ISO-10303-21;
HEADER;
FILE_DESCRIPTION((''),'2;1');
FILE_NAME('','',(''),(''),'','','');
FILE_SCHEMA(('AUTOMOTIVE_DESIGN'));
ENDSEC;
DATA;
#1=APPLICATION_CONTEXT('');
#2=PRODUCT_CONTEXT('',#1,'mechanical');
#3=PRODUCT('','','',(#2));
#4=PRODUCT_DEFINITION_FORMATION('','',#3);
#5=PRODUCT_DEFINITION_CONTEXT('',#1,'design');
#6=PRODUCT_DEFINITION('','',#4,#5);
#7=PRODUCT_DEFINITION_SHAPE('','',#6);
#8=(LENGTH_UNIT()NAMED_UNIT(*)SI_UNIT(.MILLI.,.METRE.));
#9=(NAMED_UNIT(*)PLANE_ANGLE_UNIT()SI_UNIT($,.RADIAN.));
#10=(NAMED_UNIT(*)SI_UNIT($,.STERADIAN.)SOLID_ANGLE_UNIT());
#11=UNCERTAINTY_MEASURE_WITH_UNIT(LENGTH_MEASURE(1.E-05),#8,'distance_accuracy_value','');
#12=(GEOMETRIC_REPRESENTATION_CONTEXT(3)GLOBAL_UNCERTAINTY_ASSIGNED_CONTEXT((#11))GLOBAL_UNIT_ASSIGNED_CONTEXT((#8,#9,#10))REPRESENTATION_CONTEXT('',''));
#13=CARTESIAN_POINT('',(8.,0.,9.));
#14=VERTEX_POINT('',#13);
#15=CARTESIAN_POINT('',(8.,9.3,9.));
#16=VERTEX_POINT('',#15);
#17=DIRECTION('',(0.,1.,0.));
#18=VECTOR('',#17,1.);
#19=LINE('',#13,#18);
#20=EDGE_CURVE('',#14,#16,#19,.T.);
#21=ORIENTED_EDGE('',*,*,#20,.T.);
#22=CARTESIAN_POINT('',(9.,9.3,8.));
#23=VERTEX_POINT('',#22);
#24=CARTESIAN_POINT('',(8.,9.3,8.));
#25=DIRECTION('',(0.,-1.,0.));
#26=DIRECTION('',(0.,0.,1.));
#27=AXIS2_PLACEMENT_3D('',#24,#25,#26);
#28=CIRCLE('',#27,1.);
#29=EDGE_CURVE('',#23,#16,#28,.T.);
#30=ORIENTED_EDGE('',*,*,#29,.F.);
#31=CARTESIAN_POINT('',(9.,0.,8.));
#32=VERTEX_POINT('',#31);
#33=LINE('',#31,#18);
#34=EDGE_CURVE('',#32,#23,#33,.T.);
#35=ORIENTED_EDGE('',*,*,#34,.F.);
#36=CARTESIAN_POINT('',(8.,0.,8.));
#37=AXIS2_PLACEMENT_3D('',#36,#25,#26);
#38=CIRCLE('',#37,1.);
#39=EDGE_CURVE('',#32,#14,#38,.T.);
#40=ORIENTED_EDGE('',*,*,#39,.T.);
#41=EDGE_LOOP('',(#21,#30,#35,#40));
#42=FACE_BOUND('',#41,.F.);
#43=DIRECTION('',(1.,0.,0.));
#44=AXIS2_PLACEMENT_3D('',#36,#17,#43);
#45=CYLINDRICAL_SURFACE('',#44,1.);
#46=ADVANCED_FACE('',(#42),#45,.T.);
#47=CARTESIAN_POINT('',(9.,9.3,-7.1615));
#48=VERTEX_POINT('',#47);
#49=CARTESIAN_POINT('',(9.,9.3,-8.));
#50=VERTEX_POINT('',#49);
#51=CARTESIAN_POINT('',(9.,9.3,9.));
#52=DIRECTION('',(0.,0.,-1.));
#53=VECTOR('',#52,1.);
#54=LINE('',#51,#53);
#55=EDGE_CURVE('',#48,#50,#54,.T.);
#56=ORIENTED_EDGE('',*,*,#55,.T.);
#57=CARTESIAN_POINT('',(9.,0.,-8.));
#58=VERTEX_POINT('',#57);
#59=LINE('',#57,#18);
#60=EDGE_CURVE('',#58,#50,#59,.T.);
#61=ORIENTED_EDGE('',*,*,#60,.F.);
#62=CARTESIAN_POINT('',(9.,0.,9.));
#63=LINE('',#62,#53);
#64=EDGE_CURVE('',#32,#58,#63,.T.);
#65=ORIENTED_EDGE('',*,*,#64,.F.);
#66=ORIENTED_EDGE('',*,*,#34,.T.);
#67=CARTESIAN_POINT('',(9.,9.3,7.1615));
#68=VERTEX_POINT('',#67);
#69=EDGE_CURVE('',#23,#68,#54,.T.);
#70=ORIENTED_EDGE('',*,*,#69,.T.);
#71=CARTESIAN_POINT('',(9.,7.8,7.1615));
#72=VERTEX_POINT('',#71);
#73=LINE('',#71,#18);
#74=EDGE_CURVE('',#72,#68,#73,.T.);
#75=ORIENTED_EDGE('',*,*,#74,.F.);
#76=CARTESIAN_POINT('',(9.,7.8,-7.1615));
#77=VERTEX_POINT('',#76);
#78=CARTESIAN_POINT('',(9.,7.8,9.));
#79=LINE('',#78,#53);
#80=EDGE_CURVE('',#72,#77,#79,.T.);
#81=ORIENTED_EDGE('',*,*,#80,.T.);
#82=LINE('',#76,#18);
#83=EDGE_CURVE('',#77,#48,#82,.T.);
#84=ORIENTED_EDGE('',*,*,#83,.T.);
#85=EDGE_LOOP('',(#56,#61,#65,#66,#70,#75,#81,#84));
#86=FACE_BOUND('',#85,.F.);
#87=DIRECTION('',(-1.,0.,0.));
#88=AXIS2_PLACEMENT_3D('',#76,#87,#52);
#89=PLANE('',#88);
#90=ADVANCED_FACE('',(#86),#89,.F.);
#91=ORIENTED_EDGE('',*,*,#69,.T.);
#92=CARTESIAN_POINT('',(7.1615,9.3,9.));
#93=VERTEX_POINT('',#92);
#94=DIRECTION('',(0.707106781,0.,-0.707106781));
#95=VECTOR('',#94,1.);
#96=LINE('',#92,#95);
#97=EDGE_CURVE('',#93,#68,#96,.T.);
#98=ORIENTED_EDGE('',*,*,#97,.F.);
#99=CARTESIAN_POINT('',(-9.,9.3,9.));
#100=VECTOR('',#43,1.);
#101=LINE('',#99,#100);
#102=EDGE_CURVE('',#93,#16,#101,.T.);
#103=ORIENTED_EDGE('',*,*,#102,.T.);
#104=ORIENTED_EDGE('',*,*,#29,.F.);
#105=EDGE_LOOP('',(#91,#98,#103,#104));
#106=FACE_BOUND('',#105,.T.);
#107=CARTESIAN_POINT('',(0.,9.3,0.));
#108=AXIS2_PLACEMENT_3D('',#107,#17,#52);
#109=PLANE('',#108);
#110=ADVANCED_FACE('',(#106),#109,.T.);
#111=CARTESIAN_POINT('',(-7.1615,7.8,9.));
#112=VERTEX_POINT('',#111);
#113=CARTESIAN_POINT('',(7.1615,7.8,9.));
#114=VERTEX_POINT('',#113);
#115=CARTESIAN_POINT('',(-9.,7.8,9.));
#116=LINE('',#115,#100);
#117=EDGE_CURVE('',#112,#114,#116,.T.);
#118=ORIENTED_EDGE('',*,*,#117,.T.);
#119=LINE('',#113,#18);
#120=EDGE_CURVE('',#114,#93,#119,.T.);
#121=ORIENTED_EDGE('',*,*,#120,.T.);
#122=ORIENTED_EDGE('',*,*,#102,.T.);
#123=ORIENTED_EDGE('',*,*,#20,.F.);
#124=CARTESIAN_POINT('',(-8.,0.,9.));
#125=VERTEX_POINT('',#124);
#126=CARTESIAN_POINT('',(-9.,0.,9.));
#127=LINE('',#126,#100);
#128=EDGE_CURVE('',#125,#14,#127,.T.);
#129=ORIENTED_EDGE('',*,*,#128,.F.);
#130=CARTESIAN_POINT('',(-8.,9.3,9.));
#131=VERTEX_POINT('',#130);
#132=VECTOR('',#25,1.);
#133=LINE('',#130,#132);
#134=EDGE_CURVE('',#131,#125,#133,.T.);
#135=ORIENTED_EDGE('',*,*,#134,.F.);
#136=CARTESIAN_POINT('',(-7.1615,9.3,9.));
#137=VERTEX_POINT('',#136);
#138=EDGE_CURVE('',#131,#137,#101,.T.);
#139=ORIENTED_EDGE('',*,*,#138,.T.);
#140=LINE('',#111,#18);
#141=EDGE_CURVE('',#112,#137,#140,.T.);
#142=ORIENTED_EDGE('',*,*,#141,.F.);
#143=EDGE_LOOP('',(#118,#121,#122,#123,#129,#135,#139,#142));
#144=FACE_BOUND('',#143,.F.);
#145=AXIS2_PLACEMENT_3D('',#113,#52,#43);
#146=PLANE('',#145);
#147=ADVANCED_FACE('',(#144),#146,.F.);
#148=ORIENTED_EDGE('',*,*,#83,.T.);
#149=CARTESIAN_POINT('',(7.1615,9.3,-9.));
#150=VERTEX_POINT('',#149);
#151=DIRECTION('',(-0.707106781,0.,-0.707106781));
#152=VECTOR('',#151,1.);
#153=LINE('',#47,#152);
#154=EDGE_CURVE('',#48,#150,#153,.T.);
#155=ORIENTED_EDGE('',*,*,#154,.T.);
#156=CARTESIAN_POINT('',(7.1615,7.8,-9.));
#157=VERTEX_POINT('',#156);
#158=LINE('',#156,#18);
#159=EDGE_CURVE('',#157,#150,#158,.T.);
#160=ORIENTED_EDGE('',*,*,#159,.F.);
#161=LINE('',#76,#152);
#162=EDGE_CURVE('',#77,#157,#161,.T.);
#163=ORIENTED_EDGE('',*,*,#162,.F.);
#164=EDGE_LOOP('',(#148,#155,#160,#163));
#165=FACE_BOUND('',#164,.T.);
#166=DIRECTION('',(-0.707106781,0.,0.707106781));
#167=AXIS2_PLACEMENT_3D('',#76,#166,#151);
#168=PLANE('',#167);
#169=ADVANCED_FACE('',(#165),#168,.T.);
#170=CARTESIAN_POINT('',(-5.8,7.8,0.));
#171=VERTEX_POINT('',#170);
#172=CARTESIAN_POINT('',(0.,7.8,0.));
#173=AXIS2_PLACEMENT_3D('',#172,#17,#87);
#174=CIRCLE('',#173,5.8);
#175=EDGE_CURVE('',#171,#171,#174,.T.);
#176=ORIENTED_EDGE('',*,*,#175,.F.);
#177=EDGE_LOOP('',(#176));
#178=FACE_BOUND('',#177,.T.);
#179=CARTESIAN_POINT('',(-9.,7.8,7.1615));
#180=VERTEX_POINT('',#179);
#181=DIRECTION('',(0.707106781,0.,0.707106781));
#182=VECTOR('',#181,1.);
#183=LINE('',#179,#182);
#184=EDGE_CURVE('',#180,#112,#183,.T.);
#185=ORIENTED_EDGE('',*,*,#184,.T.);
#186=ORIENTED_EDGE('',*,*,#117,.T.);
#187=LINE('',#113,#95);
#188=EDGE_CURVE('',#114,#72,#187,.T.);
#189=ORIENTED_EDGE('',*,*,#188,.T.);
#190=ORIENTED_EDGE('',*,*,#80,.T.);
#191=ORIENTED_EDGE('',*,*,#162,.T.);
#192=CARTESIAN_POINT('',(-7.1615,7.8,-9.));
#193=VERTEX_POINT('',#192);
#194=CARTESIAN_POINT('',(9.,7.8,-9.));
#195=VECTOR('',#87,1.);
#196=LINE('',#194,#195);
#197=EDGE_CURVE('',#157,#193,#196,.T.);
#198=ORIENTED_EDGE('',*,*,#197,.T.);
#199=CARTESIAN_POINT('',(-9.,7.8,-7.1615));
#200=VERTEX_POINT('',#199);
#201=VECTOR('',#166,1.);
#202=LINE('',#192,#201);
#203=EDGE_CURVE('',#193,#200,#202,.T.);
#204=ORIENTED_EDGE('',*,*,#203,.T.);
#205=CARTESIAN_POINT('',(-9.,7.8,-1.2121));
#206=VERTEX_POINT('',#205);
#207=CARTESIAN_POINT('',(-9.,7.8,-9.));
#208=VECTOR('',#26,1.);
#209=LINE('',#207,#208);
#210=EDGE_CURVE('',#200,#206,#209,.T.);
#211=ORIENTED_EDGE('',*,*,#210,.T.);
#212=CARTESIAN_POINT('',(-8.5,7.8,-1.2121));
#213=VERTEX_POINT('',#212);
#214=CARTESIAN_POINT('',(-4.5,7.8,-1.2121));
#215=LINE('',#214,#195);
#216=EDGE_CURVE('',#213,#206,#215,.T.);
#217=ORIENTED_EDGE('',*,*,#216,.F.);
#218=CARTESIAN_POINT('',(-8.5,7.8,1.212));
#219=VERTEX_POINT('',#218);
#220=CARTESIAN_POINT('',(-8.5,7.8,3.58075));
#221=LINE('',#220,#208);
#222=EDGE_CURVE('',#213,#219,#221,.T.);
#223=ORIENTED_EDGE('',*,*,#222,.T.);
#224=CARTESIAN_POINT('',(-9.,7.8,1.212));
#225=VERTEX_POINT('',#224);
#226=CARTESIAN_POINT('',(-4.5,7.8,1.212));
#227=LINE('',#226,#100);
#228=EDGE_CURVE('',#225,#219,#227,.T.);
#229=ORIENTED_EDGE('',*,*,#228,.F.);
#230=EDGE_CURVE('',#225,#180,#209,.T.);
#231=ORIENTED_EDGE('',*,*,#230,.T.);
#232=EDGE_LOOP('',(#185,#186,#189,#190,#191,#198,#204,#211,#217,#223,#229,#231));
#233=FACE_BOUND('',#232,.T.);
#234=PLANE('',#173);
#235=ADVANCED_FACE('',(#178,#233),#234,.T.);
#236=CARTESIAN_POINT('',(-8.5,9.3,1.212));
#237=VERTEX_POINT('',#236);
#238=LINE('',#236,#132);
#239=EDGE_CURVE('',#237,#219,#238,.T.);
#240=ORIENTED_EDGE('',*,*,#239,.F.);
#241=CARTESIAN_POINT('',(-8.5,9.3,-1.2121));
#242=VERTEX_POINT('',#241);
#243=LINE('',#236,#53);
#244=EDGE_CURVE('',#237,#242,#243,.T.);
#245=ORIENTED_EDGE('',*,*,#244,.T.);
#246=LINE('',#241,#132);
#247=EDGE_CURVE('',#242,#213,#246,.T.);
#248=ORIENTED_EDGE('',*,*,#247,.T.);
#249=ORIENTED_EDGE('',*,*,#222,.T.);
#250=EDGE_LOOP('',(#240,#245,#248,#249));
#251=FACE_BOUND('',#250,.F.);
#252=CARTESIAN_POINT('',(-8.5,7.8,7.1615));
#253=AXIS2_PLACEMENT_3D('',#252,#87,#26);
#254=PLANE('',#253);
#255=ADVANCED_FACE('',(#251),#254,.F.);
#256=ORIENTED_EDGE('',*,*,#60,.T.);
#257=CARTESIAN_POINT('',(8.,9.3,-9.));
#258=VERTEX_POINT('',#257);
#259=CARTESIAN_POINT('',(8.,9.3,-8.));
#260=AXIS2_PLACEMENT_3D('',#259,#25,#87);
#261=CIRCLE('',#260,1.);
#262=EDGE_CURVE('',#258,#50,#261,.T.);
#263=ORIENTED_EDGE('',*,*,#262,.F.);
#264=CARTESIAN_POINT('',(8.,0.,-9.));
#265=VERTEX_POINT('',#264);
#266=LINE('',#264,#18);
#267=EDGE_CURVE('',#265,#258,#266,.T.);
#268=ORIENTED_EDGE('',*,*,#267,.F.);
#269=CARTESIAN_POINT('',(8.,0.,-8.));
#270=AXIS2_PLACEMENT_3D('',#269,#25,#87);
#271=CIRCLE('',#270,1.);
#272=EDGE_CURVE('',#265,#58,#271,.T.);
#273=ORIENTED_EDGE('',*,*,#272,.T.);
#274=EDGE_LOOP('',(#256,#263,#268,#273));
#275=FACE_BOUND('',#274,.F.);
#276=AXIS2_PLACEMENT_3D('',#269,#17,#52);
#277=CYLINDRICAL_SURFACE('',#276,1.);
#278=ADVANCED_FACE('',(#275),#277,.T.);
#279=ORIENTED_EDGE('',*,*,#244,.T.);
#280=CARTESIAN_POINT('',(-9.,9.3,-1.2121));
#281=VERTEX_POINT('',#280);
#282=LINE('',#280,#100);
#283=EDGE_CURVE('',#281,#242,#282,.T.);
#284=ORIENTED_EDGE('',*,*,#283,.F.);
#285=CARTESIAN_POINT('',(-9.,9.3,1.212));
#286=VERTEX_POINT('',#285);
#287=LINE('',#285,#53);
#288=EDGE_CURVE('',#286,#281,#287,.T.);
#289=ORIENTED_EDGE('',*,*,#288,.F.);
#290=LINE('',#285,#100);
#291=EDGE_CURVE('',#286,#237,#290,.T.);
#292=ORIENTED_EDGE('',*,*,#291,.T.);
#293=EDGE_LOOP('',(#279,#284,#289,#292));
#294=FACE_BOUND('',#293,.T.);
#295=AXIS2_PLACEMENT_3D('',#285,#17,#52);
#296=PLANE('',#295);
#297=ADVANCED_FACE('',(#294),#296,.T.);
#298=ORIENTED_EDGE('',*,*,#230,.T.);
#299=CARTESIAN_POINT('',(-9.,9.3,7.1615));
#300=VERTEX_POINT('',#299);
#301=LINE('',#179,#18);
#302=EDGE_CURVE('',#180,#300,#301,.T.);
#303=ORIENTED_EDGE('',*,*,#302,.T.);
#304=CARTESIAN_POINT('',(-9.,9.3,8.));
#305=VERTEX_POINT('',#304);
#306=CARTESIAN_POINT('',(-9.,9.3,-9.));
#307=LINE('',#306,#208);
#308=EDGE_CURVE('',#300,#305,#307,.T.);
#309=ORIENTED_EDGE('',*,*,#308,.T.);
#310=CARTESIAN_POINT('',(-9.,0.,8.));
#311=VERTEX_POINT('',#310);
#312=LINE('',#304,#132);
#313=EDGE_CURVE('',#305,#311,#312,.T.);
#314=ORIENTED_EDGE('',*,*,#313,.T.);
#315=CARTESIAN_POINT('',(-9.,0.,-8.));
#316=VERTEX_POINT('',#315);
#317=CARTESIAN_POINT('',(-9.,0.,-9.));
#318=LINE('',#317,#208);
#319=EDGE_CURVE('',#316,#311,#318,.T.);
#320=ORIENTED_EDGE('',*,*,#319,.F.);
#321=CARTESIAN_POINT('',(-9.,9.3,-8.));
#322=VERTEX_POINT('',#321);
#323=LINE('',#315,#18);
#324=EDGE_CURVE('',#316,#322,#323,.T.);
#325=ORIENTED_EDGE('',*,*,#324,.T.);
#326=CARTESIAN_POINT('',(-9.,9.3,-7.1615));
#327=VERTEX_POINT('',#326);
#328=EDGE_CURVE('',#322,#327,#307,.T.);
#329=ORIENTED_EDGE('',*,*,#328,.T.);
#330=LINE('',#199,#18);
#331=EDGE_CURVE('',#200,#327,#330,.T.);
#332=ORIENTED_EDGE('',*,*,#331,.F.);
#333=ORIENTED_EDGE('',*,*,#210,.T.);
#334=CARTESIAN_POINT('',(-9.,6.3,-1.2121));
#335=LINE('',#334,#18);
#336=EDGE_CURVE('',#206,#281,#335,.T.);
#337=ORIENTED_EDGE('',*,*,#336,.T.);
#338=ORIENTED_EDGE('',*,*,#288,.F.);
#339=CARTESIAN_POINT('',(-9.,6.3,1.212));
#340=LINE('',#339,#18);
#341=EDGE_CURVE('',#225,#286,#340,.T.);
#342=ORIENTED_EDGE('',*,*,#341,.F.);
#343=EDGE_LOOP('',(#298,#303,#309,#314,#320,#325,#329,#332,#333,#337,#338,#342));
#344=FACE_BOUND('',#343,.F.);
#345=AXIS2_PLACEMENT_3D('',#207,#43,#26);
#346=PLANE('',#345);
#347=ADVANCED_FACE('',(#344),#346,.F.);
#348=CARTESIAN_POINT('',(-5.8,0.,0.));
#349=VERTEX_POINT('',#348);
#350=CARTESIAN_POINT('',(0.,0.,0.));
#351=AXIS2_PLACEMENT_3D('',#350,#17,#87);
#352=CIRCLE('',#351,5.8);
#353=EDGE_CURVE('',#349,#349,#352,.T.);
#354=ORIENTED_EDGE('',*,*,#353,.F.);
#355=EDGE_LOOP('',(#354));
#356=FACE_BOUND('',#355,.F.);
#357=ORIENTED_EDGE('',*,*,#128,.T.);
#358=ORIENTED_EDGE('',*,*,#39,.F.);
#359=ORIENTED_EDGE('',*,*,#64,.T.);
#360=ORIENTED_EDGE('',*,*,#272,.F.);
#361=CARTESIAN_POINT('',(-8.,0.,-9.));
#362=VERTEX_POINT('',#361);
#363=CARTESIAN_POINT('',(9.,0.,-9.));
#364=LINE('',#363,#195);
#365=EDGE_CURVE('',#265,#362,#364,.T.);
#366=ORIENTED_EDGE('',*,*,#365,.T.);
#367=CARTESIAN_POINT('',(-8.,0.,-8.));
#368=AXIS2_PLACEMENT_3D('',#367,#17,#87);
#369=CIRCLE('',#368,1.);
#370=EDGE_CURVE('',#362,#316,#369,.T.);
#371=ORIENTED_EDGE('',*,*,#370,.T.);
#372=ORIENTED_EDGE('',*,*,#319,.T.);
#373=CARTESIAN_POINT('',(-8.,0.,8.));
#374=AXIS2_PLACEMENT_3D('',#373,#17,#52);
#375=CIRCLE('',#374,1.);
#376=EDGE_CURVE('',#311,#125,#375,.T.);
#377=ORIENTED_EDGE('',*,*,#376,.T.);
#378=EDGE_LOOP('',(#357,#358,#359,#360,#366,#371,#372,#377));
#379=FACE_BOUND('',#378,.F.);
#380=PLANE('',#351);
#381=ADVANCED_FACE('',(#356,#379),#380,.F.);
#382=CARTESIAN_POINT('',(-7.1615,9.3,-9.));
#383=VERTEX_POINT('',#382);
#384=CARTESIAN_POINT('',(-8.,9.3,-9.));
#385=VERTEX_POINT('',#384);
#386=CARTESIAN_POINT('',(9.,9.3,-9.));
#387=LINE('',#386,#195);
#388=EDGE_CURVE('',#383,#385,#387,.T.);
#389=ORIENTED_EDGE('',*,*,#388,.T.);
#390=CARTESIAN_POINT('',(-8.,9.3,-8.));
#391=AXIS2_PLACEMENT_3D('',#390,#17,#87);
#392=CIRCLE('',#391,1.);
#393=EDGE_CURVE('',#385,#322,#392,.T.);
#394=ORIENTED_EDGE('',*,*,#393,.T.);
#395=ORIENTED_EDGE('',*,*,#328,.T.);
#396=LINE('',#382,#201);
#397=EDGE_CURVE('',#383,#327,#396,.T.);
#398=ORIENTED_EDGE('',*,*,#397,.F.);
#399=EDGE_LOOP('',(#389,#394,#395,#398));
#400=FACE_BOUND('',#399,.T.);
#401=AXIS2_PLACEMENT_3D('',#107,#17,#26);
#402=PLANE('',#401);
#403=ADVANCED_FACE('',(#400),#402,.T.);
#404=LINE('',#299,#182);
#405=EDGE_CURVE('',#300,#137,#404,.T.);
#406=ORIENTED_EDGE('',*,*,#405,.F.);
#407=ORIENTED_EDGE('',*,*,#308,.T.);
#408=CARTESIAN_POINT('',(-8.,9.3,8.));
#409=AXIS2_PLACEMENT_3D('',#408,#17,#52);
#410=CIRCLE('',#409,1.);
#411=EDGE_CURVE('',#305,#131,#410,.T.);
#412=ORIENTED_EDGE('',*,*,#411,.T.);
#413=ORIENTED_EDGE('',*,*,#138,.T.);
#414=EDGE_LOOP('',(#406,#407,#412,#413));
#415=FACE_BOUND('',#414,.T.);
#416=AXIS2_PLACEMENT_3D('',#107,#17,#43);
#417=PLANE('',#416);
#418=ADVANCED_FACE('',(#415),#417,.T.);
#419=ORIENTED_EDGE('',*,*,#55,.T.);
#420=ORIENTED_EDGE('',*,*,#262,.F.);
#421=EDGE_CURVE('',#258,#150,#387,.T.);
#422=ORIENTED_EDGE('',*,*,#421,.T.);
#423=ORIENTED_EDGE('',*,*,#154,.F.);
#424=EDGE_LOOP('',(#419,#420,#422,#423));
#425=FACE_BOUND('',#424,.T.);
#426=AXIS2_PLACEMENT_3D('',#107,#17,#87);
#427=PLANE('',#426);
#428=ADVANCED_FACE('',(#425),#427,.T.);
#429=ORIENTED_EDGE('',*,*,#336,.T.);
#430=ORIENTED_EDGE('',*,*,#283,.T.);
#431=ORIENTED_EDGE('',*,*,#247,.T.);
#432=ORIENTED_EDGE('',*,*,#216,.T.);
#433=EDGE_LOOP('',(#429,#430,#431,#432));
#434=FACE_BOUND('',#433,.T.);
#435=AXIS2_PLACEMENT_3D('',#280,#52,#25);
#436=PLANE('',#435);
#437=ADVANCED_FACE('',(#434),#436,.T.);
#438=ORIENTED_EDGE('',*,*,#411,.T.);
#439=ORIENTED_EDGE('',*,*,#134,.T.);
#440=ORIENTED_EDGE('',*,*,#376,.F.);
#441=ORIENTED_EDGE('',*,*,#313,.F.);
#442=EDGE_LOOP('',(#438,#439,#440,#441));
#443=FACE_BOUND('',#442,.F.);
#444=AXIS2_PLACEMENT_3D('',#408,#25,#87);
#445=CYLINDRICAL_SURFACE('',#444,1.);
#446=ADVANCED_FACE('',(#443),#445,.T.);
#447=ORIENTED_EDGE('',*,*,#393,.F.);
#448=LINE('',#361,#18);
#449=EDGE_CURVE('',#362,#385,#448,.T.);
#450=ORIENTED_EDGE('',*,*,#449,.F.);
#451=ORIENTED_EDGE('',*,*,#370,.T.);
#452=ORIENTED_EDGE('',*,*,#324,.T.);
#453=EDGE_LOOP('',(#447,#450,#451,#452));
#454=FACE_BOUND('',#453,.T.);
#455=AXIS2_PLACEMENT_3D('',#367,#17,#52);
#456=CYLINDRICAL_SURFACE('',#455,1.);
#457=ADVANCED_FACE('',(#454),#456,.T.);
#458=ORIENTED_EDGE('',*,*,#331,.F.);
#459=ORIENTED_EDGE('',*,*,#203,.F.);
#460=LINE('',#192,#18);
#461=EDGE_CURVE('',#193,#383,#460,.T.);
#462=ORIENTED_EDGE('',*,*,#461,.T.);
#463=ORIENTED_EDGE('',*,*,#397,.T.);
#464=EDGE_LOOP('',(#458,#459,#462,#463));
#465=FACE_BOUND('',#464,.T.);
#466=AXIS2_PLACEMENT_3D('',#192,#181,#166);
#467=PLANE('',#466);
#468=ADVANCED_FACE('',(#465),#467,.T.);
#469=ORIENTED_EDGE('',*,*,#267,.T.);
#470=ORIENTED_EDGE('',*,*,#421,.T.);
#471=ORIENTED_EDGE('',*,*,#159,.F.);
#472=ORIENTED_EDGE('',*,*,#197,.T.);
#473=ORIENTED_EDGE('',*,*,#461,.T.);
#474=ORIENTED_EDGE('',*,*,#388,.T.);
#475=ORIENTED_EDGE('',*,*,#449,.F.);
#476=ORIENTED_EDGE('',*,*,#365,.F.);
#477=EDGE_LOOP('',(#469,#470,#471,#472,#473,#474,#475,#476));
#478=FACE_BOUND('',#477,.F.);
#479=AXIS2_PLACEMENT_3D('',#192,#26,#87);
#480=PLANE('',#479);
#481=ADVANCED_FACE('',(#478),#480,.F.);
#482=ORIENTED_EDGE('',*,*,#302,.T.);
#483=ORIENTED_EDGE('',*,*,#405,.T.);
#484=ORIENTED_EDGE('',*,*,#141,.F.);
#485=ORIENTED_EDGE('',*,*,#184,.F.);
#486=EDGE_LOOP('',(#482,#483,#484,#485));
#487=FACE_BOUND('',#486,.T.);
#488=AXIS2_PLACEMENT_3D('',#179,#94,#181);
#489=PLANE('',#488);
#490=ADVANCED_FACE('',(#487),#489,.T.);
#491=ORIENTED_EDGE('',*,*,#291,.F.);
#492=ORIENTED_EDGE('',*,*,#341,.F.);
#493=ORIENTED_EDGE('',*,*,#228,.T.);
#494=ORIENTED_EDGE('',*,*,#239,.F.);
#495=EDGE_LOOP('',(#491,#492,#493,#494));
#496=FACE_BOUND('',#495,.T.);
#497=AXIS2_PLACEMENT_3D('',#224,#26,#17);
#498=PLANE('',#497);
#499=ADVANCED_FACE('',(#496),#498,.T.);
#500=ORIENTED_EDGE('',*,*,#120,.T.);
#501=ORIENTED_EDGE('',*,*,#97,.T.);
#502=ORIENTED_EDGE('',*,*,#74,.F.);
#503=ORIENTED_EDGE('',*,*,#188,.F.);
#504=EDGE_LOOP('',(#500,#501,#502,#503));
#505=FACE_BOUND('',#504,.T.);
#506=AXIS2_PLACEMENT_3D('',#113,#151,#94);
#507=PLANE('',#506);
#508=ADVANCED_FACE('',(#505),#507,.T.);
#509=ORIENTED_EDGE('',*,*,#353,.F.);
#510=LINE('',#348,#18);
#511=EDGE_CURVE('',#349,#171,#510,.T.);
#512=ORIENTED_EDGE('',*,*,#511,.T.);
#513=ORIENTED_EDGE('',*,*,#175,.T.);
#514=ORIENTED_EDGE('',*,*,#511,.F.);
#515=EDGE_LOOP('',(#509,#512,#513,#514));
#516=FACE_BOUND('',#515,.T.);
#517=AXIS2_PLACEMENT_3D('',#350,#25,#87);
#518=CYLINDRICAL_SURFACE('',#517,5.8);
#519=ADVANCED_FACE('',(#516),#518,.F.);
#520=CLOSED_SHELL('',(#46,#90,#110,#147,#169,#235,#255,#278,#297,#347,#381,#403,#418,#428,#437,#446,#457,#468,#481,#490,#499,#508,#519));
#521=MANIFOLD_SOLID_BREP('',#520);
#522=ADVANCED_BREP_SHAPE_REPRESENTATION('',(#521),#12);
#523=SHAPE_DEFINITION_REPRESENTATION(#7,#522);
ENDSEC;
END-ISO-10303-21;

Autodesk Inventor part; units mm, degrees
ref_plane "YZ Plane" through (0, 0, 0) normal (1, 0, 0) x (0, 1, 0)
ref_plane "XZ Plane" through (0, 0, 0) normal (0, 1, 0) x (-1, 0, 0)
ref_plane "XY Plane" through (0, 0, 0) normal (0, 0, 1) x (1, 0, 0)
sketch "Skizze1" plane through (0, 0, 0) normal (0, 1, 0) x (-1, 0, 0)
  line L0 (-9, -9) -> (9, -9)
  line L1 (9, -9) -> (9, 9)
  line L2 (9, 9) -> (-9, 9)
  line L3 (-9, 9) -> (-9, -9)
  line L4 (-9, -9) -> (9, 9) construction
  line L5 (9, -9) -> (-9, 9) construction
  circle A0 centre (0, 0) radius 5.8
  dimension "d0" = 18
  dimension "d1" = 18
  dimension "d2" = 11.6
extrude "Extrusion1" add sketch "Skizze1" along normal blind 7.8
sketch "Skizze2" plane through (0, 7.8, 0) normal (0, 1, 0) x (1, 0, 0)
  line L0 (-9, 9) -> (-9, -9) projected
  line L1 (-9, -9) -> (9, -9) projected
  line L2 (9, -9) -> (9, 9) projected
  line L3 (9, 9) -> (-9, 9) projected
  circle A0 centre (0, 0) radius 5.8 projected
  line L4 (-9, 9) -> (-9, -9) projected
  line L5 (-9, -7.1615) -> (-7.1615, -9)
  line L6 (-9, -7.1615) -> (-6.4, -7.1615) construction
  dimension "d5" = 45
  dimension "d6" = 1.3
extrude "Extrusion2" add sketch "Skizze2" along normal blind 1.5 contours L5 L1 L0
pattern_circular "Runde Anordnung1" count 4 over 360 about axis through (0, 0, 0) along (0, 1, 0) of "Extrusion2"
fillet "Rundung1" radius 1 4 edges at (-9, 4.65, 9) (9, 4.65, 9) (9, 4.65, -9) (-9, 4.65, -9)
sketch "Skizze3" plane through (-9, 7.8, 7.1615) normal (-1, 0, 0) x (0, 0, 1)
  line L0 (-15.1615, -7.8) -> (-15.1615, 1.5) projected
  line L1 (-15.1615, -7.8) -> (0.8385, -7.8) projected
  line L2 (0.8385, 1.5) -> (0.8385, -7.8) projected
  line L3 (0, 1.5) -> (0.8385, 1.5) projected
  line L4 (0, 0) -> (0, 1.5) projected
  line L5 (-14.323, 0) -> (0, 0) projected
  line L6 (-14.323, 0) -> (-14.323, 1.5) projected
  line L7 (-15.1615, 1.5) -> (-14.323, 1.5) projected
  line L8 (-8.3736, -1.5) -> (-5.9495, -1.5)
  line L9 (-5.9495, -1.5) -> (-5.9495, 1.5)
  line L10 (-5.9495, 1.5) -> (-8.3736, 1.5)
  line L11 (-8.3736, 1.5) -> (-8.3736, -1.5)
  line L12 (-14.323, 0) -> (0, 0) projected
  line L13 (-8.3736, -1.5) -> (-5.9495, 1.5) construction
  line L14 (-5.9495, -1.5) -> (-8.3736, 1.5) construction
  point P0 (-7.1615, -7.8)
  point P1 (-7.1615, 0)
extrude "Extrusion3" add sketch "Skizze3" against normal blind 0.5 contours L11 L10 L9 L5 | L5 L9 L8 L11
properties part number "00_VCM_M12"
